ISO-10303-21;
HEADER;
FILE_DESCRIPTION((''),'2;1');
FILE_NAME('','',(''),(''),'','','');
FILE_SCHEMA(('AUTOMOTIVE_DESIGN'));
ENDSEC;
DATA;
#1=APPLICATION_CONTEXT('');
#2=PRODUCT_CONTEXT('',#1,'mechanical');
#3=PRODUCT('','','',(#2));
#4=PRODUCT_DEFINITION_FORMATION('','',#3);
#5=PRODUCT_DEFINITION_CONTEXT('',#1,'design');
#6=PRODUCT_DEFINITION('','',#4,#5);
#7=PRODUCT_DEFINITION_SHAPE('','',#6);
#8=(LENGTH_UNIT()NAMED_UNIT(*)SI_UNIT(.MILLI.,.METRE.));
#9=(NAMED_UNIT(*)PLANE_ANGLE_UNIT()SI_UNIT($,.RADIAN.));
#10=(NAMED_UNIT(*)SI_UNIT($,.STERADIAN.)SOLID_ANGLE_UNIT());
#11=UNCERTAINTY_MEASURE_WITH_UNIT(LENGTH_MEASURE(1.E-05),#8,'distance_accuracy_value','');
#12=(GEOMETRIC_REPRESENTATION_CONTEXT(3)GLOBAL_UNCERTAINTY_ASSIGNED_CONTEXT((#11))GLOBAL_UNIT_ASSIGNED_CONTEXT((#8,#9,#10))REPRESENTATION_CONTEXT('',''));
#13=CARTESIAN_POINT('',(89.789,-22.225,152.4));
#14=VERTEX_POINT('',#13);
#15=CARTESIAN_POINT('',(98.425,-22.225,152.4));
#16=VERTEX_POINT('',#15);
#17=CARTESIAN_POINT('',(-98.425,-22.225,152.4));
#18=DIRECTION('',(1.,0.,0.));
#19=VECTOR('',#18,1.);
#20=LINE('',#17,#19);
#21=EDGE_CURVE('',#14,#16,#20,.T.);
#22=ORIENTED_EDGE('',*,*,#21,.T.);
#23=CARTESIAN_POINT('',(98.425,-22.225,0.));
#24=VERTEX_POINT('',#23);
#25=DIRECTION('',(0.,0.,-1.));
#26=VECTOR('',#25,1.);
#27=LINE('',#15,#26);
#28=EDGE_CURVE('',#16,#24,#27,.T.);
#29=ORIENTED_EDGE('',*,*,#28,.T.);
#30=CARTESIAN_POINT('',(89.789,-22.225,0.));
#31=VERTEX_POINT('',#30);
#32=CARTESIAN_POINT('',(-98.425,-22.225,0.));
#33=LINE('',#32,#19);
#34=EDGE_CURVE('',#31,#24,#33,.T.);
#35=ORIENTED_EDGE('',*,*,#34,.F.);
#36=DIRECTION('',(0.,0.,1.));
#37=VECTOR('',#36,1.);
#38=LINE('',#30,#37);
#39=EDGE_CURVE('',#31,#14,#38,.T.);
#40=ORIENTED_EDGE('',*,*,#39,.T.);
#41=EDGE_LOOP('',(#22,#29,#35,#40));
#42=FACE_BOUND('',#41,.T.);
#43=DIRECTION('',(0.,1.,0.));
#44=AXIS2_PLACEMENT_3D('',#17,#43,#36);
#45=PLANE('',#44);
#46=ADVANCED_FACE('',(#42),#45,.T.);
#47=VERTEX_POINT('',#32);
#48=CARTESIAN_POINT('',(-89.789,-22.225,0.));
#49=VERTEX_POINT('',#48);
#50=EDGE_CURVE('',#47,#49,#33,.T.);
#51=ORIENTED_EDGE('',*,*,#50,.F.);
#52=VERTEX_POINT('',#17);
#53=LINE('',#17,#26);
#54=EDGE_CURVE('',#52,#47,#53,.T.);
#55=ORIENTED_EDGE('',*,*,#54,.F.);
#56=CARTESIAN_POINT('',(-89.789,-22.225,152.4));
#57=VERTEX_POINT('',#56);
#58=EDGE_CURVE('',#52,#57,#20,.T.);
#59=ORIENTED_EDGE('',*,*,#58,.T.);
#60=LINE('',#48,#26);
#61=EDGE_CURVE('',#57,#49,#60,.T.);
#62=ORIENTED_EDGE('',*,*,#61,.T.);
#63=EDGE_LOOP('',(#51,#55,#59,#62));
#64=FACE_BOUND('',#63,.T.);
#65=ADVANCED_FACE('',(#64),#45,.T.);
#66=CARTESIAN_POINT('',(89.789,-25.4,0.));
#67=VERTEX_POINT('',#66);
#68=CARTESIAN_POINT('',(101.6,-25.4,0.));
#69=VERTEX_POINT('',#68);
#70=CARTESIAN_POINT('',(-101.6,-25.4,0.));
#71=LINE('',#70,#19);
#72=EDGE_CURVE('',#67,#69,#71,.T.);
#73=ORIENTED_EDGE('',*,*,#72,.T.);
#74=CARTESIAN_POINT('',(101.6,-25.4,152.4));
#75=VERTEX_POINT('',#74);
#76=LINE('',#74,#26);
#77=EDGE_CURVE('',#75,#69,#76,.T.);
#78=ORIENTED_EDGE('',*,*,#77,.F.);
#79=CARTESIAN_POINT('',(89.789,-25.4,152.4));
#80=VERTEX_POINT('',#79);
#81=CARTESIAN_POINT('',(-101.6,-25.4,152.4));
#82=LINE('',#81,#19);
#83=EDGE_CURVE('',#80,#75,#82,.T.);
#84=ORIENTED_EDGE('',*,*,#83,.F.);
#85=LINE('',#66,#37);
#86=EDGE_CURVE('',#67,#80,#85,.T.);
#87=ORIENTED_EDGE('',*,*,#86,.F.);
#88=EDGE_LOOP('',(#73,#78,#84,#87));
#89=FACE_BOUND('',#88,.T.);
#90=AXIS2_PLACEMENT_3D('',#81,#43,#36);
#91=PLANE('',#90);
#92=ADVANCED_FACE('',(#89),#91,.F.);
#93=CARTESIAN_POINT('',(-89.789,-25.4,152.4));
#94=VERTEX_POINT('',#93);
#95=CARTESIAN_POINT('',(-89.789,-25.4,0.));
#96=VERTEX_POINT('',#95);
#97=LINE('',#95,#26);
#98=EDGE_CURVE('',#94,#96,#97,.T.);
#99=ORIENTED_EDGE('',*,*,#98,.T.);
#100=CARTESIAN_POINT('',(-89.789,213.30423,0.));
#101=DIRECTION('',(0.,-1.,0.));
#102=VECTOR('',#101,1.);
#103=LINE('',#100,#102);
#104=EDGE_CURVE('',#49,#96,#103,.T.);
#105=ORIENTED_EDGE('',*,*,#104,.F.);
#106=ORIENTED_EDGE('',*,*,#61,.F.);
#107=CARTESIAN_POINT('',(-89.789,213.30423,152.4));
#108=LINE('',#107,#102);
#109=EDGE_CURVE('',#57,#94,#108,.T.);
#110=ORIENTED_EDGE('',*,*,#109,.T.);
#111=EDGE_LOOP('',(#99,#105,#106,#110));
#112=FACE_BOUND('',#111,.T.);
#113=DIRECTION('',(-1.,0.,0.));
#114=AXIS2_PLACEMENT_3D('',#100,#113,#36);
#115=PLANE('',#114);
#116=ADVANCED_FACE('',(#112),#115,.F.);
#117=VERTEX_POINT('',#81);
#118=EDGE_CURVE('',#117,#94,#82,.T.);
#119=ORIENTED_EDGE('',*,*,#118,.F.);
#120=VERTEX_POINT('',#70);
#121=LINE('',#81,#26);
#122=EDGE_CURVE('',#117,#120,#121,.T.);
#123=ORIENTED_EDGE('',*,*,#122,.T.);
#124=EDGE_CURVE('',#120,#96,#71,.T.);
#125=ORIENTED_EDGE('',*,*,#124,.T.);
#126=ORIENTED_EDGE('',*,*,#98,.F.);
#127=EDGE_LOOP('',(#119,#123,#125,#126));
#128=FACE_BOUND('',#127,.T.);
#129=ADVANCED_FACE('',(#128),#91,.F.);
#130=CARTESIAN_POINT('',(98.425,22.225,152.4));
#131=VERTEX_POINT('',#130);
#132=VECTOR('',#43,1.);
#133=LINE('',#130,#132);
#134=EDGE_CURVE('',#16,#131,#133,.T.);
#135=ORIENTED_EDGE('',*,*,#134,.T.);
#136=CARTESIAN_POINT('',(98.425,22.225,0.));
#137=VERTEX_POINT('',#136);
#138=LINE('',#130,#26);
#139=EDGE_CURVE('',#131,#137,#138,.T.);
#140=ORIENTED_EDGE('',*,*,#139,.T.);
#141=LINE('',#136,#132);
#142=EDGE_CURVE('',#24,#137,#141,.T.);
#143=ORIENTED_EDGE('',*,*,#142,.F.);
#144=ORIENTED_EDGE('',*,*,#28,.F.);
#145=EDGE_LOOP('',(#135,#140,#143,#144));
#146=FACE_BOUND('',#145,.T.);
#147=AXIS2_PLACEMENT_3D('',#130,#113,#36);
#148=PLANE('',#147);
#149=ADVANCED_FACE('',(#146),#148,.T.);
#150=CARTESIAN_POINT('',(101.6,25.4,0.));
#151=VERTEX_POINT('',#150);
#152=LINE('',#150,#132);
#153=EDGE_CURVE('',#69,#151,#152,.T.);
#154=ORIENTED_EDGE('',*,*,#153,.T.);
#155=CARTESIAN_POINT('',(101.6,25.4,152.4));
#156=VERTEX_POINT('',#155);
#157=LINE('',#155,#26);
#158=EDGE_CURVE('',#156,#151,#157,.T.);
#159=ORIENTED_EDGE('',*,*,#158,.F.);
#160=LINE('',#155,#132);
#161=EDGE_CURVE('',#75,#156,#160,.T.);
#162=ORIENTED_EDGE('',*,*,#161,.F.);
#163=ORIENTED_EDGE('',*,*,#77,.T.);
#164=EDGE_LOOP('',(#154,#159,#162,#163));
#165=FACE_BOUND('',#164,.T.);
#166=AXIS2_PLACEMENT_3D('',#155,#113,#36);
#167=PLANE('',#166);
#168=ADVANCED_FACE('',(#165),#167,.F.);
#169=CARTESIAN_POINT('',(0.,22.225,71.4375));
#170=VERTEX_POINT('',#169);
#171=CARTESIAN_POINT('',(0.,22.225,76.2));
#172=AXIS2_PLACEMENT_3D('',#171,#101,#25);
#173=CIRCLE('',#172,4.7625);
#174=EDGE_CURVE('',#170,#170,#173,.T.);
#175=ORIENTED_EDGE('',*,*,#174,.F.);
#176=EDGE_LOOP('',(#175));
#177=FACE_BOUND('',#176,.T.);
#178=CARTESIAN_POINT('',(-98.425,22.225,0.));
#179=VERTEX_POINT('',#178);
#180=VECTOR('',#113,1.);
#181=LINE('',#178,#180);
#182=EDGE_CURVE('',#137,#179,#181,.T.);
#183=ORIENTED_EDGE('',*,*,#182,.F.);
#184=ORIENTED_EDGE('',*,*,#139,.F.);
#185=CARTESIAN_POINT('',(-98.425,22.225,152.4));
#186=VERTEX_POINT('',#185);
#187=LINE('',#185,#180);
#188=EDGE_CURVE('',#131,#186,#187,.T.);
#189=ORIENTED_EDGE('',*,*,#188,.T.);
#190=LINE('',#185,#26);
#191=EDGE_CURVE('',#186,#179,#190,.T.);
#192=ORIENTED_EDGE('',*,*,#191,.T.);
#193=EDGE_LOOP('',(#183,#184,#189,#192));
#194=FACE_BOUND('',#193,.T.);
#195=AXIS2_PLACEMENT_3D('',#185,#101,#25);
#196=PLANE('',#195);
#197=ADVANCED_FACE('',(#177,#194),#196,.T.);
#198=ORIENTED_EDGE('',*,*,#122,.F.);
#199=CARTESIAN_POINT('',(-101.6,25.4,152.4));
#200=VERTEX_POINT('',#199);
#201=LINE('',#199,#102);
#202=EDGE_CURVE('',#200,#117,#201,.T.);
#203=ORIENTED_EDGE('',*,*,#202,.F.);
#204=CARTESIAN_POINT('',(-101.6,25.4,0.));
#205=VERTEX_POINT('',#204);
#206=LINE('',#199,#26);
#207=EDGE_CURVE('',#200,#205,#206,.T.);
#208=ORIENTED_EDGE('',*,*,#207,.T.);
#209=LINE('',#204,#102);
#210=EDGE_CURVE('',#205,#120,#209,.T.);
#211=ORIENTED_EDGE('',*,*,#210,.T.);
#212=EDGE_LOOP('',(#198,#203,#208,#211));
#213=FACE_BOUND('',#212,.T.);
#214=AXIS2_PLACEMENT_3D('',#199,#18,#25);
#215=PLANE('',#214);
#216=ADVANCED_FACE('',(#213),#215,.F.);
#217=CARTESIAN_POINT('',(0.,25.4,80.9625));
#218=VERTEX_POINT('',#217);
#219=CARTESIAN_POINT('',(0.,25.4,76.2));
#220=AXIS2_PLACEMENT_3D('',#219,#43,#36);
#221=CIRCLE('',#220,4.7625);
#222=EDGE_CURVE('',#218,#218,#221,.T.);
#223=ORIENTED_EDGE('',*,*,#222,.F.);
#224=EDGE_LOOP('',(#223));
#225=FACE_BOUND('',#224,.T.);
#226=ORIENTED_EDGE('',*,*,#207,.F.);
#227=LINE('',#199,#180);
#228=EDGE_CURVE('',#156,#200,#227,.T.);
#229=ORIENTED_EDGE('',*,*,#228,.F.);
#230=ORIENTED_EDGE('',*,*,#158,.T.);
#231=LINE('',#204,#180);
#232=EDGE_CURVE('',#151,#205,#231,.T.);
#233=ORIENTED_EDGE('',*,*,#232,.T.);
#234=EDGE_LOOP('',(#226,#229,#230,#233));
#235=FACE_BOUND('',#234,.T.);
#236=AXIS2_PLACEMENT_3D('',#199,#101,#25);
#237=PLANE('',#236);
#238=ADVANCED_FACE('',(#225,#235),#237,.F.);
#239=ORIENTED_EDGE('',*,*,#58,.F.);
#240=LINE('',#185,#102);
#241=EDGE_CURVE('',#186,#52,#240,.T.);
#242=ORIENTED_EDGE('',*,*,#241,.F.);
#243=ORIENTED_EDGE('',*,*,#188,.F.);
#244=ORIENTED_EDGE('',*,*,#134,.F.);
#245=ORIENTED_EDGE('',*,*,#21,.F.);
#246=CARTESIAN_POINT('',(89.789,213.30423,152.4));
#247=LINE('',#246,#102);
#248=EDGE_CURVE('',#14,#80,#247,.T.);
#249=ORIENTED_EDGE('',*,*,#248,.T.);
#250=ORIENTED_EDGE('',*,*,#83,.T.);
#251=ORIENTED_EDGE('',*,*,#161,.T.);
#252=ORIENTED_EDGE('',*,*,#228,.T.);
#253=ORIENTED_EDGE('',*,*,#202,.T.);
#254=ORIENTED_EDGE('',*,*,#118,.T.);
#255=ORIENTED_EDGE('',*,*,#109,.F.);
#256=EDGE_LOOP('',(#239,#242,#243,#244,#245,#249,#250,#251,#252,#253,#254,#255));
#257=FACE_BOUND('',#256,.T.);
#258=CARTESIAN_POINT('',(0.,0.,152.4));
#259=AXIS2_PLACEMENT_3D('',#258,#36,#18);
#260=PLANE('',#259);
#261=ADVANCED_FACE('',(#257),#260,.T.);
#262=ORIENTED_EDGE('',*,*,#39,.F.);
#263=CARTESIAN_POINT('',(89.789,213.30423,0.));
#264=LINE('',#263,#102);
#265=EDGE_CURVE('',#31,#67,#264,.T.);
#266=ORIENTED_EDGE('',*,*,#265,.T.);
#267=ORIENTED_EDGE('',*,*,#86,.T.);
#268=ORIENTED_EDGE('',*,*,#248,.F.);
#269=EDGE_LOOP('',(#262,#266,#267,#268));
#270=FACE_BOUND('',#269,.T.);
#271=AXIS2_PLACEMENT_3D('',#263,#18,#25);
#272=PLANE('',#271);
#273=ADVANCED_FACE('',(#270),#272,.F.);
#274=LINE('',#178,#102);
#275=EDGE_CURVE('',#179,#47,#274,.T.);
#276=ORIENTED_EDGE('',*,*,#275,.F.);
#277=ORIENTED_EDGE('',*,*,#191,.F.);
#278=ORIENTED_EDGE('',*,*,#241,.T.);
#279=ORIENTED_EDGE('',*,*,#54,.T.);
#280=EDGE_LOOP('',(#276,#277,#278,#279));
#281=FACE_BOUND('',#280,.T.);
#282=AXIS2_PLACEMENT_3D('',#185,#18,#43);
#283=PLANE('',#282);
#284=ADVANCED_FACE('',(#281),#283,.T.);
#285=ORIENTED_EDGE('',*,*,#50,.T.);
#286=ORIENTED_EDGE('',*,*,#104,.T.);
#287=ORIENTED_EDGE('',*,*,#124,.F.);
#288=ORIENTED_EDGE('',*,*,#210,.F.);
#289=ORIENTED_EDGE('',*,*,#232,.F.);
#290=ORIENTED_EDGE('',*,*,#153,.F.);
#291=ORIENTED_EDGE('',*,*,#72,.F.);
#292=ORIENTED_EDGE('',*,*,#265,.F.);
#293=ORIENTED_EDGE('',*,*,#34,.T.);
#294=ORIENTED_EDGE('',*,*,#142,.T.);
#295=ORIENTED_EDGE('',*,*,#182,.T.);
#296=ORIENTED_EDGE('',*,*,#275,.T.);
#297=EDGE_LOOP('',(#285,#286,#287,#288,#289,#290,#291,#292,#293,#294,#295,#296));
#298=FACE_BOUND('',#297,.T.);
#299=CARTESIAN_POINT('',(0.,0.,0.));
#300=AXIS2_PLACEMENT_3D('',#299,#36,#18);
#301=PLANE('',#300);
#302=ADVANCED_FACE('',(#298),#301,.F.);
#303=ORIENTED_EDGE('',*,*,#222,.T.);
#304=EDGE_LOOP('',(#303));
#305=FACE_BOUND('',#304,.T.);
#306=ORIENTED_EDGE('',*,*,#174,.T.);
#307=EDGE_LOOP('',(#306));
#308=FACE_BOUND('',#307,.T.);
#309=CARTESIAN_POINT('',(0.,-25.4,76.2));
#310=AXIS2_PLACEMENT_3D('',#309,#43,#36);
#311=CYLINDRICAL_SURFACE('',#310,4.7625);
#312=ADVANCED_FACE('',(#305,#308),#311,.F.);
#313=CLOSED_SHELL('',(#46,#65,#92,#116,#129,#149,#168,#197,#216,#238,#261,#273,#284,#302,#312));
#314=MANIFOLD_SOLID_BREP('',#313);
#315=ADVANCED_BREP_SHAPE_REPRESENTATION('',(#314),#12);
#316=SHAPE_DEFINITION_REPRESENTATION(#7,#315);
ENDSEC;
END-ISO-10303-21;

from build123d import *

# Parameters (mm, degrees)
SKETCH1_W           = 203.2
SKETCH1_H           = 50.8
SKETCH1_W_2         = 196.85
SKETCH1_H_2         = 44.45
BOSS_EXTRUDE1_DEPTH = 152.4
SKETCH2_W           = 179.578
SKETCH2_H           = 152.4
CUT_EXTRUDE1_DEPTH  = 3.175
SKETCH3_R           = 4.7625
CUT_EXTRUDE2_DEPTH  = 191.076195248


with BuildPart() as part:
    # Sketch1 → Boss-Extrude1 (new body)
    with BuildSketch(Plane.XY):
        Rectangle(SKETCH1_W, SKETCH1_H)
        Rectangle(SKETCH1_W_2, SKETCH1_H_2, mode=Mode.SUBTRACT)
    extrude(amount=BOSS_EXTRUDE1_DEPTH)

    # Sketch2 → Cut-Extrude1 (cut)
    with BuildSketch(Plane.XZ.offset(25.4)):
        with Locations((0, 76.2)):
            Rectangle(SKETCH2_W, SKETCH2_H)
    extrude(amount=-CUT_EXTRUDE1_DEPTH, mode=Mode.SUBTRACT)

    # Sketch3 → Cut-Extrude2 (cut, through all)
    with BuildSketch(Plane(origin=(0, 25.4, 0), x_dir=(1, 0, 0), z_dir=(0, 1, 0))):
        with Locations(Location((0, -76.2, 0), (0, 0, 270))):
            Circle(SKETCH3_R)
    extrude(amount=-CUT_EXTRUDE2_DEPTH, mode=Mode.SUBTRACT)


solid = part.part
